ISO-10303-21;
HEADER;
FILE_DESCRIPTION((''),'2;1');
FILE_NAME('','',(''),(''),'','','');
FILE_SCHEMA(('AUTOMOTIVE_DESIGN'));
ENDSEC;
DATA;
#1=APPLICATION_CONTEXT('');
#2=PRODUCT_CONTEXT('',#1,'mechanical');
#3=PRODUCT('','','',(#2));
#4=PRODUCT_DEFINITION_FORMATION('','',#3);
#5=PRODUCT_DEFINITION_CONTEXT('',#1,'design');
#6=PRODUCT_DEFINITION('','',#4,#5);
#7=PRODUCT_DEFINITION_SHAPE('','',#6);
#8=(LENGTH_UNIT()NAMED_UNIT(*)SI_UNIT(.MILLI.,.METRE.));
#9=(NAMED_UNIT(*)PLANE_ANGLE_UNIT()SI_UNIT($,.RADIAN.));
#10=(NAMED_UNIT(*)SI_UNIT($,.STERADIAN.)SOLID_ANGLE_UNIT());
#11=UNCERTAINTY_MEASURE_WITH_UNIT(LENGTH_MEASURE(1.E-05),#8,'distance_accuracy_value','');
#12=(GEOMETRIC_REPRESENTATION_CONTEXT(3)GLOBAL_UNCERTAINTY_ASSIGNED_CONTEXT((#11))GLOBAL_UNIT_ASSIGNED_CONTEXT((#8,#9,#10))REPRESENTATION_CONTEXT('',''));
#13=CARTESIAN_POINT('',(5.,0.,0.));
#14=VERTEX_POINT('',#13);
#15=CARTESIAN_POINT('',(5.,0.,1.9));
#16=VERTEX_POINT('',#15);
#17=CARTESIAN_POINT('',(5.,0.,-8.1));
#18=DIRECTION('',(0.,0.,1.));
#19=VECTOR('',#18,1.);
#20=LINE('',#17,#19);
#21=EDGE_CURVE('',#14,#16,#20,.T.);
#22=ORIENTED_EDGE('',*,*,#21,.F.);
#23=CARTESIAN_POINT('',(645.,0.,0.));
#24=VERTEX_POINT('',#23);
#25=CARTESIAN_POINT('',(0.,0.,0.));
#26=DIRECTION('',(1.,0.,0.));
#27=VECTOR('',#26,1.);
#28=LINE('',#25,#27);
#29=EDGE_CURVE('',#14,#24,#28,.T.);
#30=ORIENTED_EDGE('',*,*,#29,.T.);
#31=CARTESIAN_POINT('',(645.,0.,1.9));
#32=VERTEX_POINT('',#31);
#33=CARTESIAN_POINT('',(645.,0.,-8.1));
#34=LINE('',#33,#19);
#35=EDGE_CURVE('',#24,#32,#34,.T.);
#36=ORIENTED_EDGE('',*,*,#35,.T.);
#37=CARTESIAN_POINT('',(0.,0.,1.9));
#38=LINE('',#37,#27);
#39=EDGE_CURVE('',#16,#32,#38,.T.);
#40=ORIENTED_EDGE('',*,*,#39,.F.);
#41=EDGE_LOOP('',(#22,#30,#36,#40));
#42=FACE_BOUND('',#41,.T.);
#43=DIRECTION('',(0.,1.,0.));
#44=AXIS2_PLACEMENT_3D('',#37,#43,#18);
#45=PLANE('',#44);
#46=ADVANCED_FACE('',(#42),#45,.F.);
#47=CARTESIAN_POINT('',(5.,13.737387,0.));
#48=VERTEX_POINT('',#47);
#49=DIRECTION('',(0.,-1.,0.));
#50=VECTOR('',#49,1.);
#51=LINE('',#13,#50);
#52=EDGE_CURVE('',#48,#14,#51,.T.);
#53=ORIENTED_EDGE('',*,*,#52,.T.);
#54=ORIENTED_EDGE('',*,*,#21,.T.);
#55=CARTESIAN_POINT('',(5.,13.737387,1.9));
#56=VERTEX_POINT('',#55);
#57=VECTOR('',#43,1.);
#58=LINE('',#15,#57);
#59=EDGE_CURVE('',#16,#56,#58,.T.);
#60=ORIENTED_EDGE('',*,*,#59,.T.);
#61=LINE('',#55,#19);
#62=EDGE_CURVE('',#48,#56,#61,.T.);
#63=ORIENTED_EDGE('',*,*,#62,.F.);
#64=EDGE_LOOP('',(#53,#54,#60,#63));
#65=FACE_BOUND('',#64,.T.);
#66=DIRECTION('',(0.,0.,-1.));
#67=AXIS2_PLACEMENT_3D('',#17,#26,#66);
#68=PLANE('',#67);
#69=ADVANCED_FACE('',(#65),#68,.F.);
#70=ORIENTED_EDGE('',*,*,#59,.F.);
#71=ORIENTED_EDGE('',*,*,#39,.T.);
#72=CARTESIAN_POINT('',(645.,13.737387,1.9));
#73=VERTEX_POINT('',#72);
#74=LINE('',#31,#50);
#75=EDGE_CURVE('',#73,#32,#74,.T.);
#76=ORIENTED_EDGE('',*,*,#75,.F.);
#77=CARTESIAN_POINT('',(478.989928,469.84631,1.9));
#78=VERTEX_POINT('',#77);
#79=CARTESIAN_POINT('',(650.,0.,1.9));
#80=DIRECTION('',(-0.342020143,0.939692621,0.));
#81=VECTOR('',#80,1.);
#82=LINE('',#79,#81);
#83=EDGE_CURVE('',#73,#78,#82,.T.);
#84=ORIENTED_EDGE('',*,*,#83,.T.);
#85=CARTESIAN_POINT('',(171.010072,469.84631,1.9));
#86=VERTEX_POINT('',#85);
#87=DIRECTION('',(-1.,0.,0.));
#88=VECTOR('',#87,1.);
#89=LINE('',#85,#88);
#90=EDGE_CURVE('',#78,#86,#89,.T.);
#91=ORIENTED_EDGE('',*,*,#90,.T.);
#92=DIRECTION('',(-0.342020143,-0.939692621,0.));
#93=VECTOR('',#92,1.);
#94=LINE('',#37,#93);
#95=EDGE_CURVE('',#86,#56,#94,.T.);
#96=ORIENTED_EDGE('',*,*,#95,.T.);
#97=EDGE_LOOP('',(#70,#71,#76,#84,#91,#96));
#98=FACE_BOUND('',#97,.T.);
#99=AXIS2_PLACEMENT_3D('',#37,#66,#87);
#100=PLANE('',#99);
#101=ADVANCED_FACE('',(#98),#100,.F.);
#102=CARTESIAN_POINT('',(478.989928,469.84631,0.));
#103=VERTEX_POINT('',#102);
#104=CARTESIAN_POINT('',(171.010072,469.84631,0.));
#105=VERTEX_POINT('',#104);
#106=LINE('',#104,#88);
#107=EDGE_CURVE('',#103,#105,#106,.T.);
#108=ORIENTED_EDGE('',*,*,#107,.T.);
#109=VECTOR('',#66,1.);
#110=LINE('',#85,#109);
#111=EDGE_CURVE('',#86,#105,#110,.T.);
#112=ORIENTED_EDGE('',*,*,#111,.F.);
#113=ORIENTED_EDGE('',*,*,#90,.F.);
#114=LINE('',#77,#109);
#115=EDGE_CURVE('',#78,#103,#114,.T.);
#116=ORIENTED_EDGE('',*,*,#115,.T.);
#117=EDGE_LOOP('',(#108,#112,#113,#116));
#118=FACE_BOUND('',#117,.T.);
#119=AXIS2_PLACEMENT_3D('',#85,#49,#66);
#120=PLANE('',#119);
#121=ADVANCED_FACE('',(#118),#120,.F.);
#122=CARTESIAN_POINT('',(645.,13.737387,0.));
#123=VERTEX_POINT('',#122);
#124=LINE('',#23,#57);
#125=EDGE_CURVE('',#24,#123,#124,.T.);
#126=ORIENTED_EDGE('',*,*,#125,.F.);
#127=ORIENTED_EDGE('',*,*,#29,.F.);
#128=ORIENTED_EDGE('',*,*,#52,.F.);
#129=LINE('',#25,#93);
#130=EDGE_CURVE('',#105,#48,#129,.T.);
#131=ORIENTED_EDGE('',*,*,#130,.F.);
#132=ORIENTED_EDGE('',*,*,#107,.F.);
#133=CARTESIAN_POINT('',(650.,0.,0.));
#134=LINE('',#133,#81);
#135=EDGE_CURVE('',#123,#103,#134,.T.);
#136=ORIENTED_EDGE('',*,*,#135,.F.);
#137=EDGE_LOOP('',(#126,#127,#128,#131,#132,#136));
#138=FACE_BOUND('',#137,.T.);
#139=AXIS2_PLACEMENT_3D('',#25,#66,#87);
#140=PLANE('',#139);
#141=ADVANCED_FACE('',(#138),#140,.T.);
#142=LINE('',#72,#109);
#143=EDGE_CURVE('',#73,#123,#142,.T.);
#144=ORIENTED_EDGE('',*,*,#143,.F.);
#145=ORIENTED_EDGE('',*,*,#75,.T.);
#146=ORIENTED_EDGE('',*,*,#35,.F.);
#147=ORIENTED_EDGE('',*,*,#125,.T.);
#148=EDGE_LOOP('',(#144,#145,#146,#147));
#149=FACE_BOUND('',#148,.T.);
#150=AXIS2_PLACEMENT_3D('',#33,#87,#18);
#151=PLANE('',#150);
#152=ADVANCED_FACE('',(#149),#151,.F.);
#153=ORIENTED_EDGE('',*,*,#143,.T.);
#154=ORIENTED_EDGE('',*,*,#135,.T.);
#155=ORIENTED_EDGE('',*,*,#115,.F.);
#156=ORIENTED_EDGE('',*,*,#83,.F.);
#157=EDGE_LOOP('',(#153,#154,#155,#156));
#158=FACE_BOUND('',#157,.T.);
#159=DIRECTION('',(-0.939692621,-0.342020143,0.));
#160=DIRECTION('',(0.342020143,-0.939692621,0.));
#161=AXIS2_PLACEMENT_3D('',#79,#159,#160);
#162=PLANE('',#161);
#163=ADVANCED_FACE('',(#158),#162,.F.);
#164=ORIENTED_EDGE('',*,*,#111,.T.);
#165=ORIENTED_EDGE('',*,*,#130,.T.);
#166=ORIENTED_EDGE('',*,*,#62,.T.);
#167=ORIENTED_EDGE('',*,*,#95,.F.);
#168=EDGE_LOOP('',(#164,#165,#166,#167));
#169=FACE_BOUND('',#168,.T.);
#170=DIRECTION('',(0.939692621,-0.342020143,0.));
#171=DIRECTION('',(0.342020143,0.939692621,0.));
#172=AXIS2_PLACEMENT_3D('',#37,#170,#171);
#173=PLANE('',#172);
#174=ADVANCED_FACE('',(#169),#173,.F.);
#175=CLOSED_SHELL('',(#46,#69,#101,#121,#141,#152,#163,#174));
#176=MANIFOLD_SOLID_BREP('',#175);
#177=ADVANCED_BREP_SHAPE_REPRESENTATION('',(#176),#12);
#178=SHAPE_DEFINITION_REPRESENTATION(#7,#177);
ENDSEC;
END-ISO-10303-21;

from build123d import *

# Parameters (mm, degrees)
SALIENTE_EXTRUIR1_DEPTH = 1.9
CROQUIS2_W              = 5
CROQUIS2_H              = 30.827719102
CROQUIS2_H_2            = 21.572663196
CORTAR_EXTRUIR1_DEPTH   = 10


with BuildPart() as part:
    # Croquis1 → Saliente-Extruir1 (new body)
    with BuildSketch(Plane.XY):
        Polygon((0, 0), (650, 0), (478.989928337, 469.846310393), (171.010071663, 469.846310393), align=None)
    extrude(amount=SALIENTE_EXTRUIR1_DEPTH)

    # Croquis2 → Cortar-Extruir1 (cut)
    with BuildSketch(Plane.XY.offset(1.9)):
        with Locations((647.5, 15.413859551)):
            Rectangle(CROQUIS2_W, CROQUIS2_H)
        with Locations((2.5, 10.786331598)):
            Rectangle(CROQUIS2_W, CROQUIS2_H_2)
    extrude(amount=-CORTAR_EXTRUIR1_DEPTH, mode=Mode.SUBTRACT)


solid = part.part
